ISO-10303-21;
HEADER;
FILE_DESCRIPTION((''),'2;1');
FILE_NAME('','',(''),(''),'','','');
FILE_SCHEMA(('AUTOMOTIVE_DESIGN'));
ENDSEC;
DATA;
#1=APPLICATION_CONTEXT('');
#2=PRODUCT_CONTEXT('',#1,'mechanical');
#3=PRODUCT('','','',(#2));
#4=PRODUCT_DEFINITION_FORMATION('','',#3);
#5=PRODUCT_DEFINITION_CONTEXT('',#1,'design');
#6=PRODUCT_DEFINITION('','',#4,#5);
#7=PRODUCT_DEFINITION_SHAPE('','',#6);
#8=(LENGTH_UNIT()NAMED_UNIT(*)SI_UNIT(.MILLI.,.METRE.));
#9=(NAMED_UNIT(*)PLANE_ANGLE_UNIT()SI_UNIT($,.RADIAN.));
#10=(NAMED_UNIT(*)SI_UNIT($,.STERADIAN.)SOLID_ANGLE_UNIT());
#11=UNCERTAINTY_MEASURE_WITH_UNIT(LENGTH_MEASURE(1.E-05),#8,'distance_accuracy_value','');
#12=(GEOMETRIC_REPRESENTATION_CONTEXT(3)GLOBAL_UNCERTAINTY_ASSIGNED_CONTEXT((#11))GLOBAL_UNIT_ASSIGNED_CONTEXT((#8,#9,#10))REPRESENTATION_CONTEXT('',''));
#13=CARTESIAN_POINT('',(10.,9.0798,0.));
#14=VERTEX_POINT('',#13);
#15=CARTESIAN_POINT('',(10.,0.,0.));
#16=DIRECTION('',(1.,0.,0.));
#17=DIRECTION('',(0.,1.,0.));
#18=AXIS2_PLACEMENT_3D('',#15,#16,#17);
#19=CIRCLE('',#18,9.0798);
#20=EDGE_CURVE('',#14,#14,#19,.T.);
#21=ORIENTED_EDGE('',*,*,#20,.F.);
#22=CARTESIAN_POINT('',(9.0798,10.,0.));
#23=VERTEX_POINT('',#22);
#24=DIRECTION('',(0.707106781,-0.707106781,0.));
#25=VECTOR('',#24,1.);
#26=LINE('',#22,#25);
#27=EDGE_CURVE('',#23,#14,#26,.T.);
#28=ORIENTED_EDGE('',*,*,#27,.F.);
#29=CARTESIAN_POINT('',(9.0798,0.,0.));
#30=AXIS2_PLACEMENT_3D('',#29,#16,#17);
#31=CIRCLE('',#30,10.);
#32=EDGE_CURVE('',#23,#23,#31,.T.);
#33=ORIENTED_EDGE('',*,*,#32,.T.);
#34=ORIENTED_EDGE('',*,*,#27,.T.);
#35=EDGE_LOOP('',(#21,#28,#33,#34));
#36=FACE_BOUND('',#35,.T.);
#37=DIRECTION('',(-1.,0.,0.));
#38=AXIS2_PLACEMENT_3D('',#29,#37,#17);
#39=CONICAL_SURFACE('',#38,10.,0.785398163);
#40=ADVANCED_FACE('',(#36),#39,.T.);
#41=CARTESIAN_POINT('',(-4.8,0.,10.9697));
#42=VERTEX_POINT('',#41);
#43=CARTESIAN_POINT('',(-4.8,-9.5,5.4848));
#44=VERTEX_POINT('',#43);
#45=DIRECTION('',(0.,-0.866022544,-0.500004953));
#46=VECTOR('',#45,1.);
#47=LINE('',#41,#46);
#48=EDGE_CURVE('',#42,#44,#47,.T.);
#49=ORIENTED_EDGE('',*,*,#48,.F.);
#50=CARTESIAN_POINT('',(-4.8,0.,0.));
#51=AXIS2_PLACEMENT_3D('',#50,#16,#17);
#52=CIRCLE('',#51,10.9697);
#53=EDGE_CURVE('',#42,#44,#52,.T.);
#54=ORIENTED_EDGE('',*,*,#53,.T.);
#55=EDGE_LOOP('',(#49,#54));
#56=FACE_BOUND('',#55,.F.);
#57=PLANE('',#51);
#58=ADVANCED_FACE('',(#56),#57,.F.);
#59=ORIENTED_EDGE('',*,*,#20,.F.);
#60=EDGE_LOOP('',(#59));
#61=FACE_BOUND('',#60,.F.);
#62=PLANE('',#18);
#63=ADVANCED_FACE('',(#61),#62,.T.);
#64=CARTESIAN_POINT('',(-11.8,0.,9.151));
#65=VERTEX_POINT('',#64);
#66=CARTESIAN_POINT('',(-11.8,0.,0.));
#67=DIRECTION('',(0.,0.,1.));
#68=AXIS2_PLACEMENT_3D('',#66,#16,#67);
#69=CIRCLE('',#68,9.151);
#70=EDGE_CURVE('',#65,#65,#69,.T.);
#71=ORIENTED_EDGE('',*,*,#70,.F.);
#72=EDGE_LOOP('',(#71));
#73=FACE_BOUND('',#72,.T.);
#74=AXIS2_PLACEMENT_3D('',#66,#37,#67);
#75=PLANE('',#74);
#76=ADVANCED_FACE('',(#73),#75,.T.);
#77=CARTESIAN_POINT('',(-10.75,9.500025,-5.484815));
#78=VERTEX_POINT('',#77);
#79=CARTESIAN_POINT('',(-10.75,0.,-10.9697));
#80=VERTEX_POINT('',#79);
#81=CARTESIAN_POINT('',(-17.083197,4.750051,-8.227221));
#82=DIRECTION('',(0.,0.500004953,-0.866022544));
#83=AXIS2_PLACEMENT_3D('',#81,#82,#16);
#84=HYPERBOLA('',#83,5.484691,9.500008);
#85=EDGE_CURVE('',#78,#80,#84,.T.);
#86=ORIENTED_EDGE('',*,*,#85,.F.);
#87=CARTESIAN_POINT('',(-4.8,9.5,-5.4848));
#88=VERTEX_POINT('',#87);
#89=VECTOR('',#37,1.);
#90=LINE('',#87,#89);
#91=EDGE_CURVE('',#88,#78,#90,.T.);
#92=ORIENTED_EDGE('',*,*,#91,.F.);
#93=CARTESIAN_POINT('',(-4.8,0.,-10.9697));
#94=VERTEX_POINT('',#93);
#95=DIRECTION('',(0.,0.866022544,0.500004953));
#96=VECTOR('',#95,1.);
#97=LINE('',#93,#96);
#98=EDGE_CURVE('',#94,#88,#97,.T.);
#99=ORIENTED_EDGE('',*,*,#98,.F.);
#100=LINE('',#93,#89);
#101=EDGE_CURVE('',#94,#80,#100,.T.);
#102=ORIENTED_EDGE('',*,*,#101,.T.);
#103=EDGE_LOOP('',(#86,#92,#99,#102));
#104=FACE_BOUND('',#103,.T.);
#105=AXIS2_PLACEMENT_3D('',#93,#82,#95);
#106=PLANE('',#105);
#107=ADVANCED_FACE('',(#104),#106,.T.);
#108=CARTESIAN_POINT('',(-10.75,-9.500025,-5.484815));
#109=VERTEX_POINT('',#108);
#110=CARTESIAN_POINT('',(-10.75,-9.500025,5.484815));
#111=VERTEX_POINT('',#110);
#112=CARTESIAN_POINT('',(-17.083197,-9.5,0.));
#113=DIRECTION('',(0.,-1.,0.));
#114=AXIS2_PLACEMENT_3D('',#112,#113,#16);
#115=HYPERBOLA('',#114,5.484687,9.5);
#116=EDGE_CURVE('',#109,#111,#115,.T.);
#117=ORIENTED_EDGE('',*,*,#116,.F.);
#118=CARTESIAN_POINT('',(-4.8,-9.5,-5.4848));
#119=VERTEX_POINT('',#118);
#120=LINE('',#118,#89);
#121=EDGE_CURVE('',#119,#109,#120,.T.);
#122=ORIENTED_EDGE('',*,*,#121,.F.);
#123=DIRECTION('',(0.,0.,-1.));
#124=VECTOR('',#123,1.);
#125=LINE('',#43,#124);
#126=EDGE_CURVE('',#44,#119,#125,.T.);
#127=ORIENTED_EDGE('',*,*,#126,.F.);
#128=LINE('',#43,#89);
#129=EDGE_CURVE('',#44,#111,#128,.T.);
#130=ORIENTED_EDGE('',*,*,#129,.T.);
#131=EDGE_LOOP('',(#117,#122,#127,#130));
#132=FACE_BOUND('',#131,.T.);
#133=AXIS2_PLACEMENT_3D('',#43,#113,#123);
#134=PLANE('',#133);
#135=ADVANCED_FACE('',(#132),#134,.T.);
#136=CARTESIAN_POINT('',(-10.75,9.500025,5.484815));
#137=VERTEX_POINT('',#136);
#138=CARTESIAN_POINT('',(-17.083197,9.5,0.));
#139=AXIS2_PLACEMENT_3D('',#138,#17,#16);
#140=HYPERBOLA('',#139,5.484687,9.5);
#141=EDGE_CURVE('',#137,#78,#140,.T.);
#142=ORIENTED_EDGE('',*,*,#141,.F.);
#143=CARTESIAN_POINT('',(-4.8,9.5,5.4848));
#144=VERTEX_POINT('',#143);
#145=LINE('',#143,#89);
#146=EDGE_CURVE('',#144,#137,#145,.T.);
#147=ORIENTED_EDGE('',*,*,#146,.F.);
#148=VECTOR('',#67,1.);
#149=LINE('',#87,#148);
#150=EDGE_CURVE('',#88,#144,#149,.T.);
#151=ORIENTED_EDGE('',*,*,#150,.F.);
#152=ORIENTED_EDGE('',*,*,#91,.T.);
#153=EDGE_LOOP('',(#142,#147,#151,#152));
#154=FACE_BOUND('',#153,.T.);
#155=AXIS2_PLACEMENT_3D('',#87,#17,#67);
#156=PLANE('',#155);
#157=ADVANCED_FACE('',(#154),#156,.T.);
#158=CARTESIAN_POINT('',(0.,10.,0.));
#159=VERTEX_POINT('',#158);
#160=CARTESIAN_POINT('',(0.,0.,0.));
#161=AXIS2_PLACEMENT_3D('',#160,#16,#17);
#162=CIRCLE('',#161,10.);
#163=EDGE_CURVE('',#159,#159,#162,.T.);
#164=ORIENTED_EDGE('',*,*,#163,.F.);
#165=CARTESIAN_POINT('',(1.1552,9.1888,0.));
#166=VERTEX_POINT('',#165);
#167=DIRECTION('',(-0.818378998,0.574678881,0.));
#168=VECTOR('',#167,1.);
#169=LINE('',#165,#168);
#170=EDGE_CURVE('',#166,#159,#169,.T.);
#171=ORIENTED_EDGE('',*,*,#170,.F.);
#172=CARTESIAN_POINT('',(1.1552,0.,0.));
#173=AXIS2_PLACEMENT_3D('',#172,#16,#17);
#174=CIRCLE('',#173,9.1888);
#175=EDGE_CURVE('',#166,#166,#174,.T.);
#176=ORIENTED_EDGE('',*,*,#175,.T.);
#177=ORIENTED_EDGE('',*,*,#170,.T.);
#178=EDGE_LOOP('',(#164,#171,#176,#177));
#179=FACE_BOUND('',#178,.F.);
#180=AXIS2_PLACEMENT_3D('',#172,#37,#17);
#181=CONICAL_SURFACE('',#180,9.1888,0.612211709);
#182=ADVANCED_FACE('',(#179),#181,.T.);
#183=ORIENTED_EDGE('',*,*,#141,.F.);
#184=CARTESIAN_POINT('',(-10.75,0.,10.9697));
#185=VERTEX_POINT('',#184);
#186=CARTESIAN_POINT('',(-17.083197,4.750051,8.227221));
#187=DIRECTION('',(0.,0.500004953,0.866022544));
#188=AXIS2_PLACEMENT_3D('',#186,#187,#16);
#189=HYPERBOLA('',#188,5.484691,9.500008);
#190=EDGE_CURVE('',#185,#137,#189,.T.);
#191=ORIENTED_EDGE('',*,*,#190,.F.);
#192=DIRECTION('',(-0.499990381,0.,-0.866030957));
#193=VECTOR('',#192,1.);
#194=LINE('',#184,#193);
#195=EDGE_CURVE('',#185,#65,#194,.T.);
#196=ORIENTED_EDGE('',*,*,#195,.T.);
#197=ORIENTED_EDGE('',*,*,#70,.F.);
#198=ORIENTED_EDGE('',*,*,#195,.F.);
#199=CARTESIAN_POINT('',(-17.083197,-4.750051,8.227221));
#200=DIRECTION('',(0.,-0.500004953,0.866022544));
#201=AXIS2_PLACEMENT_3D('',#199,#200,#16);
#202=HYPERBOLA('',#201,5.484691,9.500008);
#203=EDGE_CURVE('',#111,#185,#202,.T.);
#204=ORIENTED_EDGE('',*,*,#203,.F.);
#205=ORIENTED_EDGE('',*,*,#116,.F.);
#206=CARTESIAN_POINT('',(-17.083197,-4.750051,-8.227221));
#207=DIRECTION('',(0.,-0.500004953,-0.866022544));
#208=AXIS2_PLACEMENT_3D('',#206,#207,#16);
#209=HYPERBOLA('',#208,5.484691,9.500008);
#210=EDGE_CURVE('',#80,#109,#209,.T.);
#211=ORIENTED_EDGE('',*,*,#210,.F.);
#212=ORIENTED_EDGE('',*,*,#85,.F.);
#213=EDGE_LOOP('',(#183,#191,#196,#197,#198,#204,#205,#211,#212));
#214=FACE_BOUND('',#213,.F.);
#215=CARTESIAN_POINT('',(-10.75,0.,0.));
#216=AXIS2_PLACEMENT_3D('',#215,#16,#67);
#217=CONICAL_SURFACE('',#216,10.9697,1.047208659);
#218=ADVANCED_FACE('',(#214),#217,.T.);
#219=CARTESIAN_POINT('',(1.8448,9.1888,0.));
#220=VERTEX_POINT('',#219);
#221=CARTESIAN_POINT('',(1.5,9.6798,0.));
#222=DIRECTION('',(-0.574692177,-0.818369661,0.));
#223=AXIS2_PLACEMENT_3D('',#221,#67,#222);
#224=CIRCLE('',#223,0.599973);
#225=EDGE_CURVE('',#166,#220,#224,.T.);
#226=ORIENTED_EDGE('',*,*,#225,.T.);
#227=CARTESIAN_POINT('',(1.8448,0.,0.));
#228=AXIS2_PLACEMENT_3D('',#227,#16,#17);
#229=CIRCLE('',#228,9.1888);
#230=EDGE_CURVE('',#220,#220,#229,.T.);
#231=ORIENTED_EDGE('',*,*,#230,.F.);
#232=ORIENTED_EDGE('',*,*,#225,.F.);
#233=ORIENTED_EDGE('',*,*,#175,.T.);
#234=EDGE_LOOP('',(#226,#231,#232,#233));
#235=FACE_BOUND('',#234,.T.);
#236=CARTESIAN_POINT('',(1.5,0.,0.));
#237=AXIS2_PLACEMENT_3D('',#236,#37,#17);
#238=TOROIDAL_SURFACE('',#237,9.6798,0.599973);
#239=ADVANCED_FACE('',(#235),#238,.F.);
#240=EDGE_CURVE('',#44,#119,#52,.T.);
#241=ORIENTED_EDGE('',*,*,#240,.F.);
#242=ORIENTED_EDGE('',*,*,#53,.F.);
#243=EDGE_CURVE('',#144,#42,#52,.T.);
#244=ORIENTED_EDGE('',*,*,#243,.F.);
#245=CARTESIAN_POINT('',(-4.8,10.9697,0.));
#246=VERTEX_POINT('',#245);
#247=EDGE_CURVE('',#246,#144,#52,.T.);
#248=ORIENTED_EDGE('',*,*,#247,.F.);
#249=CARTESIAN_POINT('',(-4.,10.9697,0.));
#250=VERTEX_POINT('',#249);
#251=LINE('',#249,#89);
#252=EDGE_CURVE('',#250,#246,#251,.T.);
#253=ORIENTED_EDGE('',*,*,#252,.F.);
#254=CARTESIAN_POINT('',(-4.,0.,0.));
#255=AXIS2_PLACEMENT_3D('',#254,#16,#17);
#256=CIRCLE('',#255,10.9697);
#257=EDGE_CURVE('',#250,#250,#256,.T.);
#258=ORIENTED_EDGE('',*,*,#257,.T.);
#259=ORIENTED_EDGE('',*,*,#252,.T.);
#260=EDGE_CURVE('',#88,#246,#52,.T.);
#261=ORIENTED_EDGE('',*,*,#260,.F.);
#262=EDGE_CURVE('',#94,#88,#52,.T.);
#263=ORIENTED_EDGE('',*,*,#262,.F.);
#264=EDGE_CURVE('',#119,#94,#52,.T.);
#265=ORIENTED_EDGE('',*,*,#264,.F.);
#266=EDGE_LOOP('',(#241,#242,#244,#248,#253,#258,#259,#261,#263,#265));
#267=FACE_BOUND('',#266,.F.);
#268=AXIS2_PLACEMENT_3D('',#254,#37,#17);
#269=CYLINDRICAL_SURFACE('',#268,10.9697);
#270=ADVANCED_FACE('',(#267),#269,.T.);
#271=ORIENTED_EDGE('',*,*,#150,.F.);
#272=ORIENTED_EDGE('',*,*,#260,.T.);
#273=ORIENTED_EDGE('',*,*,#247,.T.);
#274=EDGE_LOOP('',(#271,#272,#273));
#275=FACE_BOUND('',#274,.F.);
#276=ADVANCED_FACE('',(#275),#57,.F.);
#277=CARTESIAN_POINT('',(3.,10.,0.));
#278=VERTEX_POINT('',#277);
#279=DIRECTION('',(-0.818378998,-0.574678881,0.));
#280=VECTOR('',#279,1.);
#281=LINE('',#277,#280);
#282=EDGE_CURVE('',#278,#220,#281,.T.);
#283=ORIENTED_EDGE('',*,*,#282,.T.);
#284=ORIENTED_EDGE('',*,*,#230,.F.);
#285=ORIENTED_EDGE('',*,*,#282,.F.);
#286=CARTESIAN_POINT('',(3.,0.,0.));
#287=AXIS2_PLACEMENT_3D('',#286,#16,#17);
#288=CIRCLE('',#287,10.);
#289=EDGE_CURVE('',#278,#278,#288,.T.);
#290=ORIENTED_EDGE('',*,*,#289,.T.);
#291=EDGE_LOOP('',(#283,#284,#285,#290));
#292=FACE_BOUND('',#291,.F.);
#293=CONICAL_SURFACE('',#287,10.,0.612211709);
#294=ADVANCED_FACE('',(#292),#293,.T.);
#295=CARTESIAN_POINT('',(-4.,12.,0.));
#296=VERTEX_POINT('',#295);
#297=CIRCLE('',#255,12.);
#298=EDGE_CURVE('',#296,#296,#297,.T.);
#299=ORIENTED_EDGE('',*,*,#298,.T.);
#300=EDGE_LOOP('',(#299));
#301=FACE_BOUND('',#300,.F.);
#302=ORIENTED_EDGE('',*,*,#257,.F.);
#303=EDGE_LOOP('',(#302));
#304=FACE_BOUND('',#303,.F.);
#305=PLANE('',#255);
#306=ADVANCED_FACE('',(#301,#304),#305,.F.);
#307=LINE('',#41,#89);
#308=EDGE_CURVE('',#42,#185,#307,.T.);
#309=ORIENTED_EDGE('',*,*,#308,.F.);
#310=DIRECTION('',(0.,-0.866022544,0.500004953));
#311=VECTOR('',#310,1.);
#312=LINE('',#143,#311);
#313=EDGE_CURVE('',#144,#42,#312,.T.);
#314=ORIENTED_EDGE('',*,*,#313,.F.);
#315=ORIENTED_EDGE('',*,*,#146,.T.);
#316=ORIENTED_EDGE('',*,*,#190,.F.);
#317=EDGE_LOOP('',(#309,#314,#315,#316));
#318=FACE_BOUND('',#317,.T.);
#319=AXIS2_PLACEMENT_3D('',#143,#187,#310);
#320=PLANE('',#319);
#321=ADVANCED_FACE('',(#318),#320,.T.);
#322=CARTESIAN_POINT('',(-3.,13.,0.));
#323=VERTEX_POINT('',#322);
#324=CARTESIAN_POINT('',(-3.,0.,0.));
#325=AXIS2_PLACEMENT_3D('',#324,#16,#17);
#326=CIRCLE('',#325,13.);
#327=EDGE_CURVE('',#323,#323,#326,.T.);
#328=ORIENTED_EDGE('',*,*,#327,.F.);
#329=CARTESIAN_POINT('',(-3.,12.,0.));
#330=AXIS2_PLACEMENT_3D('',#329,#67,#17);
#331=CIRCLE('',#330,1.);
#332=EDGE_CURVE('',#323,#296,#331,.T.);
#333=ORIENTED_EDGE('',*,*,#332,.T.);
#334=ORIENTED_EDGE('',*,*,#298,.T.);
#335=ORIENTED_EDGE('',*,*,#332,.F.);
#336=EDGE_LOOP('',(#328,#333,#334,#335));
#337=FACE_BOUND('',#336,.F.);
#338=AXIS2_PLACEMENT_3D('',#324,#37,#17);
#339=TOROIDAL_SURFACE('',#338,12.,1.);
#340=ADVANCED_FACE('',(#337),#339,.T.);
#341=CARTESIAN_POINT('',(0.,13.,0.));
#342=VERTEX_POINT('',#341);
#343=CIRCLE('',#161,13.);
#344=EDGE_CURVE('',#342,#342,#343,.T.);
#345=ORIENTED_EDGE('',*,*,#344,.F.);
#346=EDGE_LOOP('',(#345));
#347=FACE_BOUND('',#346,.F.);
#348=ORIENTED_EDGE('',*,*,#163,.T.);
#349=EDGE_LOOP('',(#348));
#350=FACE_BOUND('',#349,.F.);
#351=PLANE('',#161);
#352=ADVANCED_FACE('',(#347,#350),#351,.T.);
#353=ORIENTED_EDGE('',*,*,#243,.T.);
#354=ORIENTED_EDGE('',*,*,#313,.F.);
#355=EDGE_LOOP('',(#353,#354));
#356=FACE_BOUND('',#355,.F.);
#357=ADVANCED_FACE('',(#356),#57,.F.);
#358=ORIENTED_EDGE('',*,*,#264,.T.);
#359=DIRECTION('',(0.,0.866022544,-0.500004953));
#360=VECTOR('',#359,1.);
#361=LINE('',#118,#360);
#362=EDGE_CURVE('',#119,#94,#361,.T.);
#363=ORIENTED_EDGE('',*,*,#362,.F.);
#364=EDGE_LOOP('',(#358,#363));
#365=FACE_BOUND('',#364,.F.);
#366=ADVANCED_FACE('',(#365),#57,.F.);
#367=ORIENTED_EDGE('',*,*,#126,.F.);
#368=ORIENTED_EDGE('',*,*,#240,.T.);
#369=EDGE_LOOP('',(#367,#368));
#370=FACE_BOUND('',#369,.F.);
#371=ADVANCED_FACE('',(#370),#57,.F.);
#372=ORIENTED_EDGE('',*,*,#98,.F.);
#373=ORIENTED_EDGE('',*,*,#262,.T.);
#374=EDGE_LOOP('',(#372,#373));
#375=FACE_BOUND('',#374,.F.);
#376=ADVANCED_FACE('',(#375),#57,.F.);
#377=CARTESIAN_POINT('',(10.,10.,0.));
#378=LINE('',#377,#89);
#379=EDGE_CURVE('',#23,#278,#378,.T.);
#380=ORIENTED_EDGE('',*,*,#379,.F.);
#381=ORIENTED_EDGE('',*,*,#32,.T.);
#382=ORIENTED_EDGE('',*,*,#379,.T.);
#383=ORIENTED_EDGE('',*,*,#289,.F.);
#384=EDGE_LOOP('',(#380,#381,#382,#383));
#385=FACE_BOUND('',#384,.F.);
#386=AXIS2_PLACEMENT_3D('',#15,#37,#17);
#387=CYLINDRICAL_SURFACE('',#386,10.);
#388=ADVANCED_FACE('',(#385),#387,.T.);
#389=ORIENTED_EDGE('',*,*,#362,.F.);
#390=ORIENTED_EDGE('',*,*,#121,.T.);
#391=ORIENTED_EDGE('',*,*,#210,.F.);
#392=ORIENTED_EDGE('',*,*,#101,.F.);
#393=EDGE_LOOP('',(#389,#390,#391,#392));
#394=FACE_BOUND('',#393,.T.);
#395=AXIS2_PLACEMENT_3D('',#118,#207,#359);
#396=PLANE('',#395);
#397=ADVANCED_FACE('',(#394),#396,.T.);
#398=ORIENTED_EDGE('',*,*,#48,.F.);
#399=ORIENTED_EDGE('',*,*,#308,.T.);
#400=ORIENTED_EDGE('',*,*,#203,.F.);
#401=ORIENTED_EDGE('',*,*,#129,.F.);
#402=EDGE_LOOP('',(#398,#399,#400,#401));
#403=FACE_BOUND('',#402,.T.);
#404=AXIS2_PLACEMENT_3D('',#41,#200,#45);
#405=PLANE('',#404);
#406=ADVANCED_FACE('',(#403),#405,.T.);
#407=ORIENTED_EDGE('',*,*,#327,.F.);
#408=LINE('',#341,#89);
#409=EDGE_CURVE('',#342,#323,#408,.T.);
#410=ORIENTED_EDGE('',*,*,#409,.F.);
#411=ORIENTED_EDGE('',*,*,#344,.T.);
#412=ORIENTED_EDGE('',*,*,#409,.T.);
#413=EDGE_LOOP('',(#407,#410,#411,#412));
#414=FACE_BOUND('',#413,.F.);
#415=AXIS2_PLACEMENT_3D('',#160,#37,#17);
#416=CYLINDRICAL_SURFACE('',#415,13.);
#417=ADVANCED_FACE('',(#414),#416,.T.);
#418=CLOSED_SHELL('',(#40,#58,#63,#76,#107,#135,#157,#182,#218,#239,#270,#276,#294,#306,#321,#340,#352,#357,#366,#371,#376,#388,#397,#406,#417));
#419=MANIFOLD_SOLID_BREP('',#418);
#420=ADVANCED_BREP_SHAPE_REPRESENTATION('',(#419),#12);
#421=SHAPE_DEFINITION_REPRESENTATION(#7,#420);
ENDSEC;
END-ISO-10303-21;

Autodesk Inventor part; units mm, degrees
ref_plane "YZ Plane" through (0, 0, 0) normal (1, 0, 0) x (0, 1, 0)
ref_plane "XZ Plane" through (0, 0, 0) normal (0, 1, 0) x (-1, 0, 0)
ref_plane "XY Plane" through (0, 0, 0) normal (0, 0, 1) x (1, 0, 0)
sketch "Эскиз1" plane through (0, 0, 0) normal (0, 0, 1) x (1, 0, 0)
  line L0 (10, 0) -> (10, 10)
  line L1 (10, 10) -> (3, 10)
  line L2 (3, 10) -> (1.8448, 9.1888)
  line L3 (1.1552, 9.1888) -> (0, 10)
  line L4 (0, 10) -> (0, 13)
  line L5 (0, 13) -> (-4, 13)
  line L6 (-4, 13) -> (-4, 10.9697)
  line L7 (-4, 10.9697) -> (-4.8, 10.9697)
  line L8 (-4.8, 10.9697) -> (-4.8, 0)
  line L9 (-4.8, 0) -> (10, 0)
  arc A0 (1.1552, 9.1888) -> (1.8448, 9.1888) centre (1.5, 9.6798) ccw
  line L10 (-7.8876, 0) -> (13.7255, 0) projected
  line L11 (0, -2.6) -> (0, 15.6) projected
  line L12 (2.3733, 9.0798) -> (10.6379, 9.0798) construction
  dimension "d0" = 0.6
  dimension "d1" = 20
  dimension "d2" = 26
  dimension "d3" = 10
  dimension "d4" = 3
  dimension "d5" = 1.5
  dimension "d6" = 21.9393
  dimension "d7" = 4
  dimension "d8" = 0.8
  dimension "d10" = 18.1596
revolve "Базовый элемент" add sketch "Эскиз1" angle 360 about axis through (-4.8, 0, 0) along (1, 0, 0)
sketch "Эскиз2" plane through (-4.8, 0, 0) normal (-1, 0, 0) x (0, 0, 1)
  circle A0 centre (0, 0) radius 10.9697 projected
  line L0 (10.9697, 0) -> (5.4848, -9.5)
  line L1 (5.4848, -9.5) -> (-5.4848, -9.5)
  line L2 (-5.4848, -9.5) -> (-10.9697, 0)
  line L3 (-10.9697, 0) -> (-5.4848, 9.5)
  line L4 (-5.4848, 9.5) -> (5.4848, 9.5)
  line L5 (5.4848, 9.5) -> (10.9697, 0)
extrude "С головкой" add sketch "Эскиз2" along normal blind 7 contours L0 L1 L2 L3 L4 L5
fillet "Сопряжение1" radius 1 1 edges at (-4, -13, 0)
sketch "Эскиз3" plane through (0, 0, 0) normal (0, 1, 0) x (-1, 0, 0)
  line L0 (10.75, 10.9697) -> (11.8, 9.151)
  line L1 (11.8, 9.151) -> (11.8, 10.9697)
  line L2 (11.8, 10.9697) -> (10.75, 10.9697)
  line L3 (12.01, 0) -> (10.54, 0) projected
  dimension "d14" = 1.05
  dimension "d15" = 30
revolve "Фаска1" cut sketch "Эскиз3" angle 360 about axis through (-10, 0, 0) along (1, 0, 0)
thread "Резьба1" size "M20x1.5" class "6g" standard "ISO Metric profile" length 10
chamfer "Фаска2" distance 0.9202 distance2 0.9202 1 edges at (10, -10, 0) measured on face at (7.6667, 9.9676, -0.8047)
equation "\"d12\" = KOH"
equation "\"d14\" = 0.15 * KOH"
equation "\"d17\" = RR"
equation "\"d20\" = NLG"
equation "\"d18\" = GAL"
equation "\"d19\" = -0.5 * GD1 + 0.5 * NND"
equation "\"d0\" = 0.2 * GAL1"
equation "\"d1\" = NND"
equation "\"d2\" = KOD"
equation "\"d3\" = NLG"
equation "\"d4\" = GAL1"
equation "\"d5\" = 0.5 * GAL1"
equation "\"d6\" = n_D"
equation "\"d7\" = SD"
equation "\"d8\" = PHH"
equation "\"d10\" = GD1"
equation "\"NLG\" = 10"
equation "\"NND\" = 20"
equation "\"SD\" = 4"
equation "\"PHH\" = 0.8"
equation "\"SW\" = 19"
equation "\"GAL1\" = 3"
equation "\"KOH\" = 7"
equation "\"KOD\" = 26"
equation "\"GAL\" = 0.61345 * PTC"
equation "\"RR\" = 1"
equation "\"GD1\" = THREADDIA - 1.2269 * PTC"
equation "\"n_D\" = 1.1547 * SW"
equation "\"GUL\" = 0.61345 * PTC"
equation "\"TOA\" = 30deg"
equation "\"PTC\" = 1.5"
equation "\"THREADDIA\" = 20"
properties part number "CSN 02 1915.21 - M 20 x 10" material "Сталь, мягкая"
